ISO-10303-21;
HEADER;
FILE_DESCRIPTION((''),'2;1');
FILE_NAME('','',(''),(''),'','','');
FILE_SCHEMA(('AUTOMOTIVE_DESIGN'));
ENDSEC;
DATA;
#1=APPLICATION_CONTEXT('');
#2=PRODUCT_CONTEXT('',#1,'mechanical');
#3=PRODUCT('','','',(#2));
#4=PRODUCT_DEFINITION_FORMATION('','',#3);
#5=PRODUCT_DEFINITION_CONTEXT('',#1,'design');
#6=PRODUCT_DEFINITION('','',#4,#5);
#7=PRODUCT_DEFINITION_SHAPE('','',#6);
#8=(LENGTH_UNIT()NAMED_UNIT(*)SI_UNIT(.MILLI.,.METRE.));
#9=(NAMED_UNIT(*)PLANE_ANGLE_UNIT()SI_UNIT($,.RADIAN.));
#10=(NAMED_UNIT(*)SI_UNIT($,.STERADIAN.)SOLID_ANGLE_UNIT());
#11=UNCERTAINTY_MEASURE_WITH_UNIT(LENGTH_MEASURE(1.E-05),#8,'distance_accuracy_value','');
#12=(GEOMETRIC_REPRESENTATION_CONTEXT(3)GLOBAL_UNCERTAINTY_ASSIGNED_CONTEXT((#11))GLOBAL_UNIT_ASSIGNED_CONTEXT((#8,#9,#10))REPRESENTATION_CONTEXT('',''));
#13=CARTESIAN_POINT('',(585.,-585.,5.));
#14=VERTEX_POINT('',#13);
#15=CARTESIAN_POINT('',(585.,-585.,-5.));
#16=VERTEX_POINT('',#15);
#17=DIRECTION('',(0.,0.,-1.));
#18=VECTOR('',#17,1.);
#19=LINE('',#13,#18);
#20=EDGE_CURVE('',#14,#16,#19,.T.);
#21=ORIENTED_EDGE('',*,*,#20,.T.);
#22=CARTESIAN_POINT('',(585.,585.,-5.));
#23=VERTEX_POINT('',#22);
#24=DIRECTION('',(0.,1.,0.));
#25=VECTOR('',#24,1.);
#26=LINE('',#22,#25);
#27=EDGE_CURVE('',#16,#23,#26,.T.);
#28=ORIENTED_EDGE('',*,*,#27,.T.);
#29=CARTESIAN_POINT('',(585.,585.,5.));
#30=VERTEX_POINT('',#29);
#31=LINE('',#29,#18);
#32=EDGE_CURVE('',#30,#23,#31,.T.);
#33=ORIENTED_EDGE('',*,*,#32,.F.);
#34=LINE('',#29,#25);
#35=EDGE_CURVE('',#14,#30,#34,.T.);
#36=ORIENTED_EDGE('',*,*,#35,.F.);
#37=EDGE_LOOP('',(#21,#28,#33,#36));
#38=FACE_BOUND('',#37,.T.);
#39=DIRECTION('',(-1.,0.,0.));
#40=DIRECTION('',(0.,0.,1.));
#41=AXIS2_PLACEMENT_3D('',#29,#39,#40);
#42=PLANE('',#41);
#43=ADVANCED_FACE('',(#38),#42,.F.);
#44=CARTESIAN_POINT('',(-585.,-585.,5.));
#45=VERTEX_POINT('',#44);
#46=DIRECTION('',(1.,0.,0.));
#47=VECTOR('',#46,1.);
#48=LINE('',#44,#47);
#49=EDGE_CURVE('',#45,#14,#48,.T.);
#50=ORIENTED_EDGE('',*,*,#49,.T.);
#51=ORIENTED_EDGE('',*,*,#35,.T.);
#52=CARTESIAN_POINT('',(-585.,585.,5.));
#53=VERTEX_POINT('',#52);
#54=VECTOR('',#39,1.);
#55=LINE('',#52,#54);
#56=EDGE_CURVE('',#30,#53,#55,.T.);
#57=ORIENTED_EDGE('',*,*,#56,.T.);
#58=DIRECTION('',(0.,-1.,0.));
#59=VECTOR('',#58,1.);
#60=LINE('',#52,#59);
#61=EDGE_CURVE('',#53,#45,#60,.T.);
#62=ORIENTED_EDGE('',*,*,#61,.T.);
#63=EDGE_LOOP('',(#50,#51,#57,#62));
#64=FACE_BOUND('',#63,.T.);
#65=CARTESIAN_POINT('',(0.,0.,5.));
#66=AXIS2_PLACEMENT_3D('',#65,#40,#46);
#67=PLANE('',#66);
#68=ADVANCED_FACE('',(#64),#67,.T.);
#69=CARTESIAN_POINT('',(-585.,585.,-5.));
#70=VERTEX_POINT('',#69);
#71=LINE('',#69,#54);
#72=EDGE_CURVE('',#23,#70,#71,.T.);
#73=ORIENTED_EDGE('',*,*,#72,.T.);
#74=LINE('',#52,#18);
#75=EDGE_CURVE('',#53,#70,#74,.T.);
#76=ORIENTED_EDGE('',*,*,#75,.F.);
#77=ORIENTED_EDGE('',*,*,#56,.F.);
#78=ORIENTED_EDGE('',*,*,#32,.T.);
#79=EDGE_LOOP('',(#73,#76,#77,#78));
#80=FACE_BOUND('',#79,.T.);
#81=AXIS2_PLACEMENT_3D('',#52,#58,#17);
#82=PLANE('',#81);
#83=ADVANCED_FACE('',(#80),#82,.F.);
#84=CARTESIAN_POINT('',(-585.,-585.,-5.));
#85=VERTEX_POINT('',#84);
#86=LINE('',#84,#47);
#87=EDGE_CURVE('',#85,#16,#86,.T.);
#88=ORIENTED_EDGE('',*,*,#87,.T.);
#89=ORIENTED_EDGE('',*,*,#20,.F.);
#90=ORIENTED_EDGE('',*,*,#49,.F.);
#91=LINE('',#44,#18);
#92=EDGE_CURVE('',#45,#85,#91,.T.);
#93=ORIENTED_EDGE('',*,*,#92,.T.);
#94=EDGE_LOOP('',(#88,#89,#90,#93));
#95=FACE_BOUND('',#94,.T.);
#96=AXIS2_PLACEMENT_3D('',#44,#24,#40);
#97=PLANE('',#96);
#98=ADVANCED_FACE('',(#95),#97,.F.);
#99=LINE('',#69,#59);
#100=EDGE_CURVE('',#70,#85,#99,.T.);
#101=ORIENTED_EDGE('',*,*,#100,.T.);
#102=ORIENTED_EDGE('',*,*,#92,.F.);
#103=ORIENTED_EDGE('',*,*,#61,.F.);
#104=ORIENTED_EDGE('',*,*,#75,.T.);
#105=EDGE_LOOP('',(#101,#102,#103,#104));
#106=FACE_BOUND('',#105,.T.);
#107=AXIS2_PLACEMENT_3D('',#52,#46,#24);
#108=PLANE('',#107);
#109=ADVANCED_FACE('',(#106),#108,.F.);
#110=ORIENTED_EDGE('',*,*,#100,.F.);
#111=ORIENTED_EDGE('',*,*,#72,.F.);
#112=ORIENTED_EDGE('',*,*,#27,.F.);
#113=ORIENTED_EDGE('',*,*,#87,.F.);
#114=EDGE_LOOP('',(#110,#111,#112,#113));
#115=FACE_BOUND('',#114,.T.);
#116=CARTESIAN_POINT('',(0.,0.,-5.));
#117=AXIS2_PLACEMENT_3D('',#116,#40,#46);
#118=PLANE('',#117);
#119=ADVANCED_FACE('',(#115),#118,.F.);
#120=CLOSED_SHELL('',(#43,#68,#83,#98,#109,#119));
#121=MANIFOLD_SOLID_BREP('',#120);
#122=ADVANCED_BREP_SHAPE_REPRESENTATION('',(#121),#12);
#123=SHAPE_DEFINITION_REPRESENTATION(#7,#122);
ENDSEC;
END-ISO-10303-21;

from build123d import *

# Parameters (mm, degrees)
SKETCH1_W           = 1170
SKETCH1_H           = 1170
BOSS_EXTRUDE1_DEPTH = 5


with BuildPart() as part:
    # Sketch1 → Boss-Extrude1 (new body, symmetric)
    with BuildSketch(Plane.XY):
        Rectangle(SKETCH1_W, SKETCH1_H)
    extrude(amount=BOSS_EXTRUDE1_DEPTH, both=True)


solid = part.part
